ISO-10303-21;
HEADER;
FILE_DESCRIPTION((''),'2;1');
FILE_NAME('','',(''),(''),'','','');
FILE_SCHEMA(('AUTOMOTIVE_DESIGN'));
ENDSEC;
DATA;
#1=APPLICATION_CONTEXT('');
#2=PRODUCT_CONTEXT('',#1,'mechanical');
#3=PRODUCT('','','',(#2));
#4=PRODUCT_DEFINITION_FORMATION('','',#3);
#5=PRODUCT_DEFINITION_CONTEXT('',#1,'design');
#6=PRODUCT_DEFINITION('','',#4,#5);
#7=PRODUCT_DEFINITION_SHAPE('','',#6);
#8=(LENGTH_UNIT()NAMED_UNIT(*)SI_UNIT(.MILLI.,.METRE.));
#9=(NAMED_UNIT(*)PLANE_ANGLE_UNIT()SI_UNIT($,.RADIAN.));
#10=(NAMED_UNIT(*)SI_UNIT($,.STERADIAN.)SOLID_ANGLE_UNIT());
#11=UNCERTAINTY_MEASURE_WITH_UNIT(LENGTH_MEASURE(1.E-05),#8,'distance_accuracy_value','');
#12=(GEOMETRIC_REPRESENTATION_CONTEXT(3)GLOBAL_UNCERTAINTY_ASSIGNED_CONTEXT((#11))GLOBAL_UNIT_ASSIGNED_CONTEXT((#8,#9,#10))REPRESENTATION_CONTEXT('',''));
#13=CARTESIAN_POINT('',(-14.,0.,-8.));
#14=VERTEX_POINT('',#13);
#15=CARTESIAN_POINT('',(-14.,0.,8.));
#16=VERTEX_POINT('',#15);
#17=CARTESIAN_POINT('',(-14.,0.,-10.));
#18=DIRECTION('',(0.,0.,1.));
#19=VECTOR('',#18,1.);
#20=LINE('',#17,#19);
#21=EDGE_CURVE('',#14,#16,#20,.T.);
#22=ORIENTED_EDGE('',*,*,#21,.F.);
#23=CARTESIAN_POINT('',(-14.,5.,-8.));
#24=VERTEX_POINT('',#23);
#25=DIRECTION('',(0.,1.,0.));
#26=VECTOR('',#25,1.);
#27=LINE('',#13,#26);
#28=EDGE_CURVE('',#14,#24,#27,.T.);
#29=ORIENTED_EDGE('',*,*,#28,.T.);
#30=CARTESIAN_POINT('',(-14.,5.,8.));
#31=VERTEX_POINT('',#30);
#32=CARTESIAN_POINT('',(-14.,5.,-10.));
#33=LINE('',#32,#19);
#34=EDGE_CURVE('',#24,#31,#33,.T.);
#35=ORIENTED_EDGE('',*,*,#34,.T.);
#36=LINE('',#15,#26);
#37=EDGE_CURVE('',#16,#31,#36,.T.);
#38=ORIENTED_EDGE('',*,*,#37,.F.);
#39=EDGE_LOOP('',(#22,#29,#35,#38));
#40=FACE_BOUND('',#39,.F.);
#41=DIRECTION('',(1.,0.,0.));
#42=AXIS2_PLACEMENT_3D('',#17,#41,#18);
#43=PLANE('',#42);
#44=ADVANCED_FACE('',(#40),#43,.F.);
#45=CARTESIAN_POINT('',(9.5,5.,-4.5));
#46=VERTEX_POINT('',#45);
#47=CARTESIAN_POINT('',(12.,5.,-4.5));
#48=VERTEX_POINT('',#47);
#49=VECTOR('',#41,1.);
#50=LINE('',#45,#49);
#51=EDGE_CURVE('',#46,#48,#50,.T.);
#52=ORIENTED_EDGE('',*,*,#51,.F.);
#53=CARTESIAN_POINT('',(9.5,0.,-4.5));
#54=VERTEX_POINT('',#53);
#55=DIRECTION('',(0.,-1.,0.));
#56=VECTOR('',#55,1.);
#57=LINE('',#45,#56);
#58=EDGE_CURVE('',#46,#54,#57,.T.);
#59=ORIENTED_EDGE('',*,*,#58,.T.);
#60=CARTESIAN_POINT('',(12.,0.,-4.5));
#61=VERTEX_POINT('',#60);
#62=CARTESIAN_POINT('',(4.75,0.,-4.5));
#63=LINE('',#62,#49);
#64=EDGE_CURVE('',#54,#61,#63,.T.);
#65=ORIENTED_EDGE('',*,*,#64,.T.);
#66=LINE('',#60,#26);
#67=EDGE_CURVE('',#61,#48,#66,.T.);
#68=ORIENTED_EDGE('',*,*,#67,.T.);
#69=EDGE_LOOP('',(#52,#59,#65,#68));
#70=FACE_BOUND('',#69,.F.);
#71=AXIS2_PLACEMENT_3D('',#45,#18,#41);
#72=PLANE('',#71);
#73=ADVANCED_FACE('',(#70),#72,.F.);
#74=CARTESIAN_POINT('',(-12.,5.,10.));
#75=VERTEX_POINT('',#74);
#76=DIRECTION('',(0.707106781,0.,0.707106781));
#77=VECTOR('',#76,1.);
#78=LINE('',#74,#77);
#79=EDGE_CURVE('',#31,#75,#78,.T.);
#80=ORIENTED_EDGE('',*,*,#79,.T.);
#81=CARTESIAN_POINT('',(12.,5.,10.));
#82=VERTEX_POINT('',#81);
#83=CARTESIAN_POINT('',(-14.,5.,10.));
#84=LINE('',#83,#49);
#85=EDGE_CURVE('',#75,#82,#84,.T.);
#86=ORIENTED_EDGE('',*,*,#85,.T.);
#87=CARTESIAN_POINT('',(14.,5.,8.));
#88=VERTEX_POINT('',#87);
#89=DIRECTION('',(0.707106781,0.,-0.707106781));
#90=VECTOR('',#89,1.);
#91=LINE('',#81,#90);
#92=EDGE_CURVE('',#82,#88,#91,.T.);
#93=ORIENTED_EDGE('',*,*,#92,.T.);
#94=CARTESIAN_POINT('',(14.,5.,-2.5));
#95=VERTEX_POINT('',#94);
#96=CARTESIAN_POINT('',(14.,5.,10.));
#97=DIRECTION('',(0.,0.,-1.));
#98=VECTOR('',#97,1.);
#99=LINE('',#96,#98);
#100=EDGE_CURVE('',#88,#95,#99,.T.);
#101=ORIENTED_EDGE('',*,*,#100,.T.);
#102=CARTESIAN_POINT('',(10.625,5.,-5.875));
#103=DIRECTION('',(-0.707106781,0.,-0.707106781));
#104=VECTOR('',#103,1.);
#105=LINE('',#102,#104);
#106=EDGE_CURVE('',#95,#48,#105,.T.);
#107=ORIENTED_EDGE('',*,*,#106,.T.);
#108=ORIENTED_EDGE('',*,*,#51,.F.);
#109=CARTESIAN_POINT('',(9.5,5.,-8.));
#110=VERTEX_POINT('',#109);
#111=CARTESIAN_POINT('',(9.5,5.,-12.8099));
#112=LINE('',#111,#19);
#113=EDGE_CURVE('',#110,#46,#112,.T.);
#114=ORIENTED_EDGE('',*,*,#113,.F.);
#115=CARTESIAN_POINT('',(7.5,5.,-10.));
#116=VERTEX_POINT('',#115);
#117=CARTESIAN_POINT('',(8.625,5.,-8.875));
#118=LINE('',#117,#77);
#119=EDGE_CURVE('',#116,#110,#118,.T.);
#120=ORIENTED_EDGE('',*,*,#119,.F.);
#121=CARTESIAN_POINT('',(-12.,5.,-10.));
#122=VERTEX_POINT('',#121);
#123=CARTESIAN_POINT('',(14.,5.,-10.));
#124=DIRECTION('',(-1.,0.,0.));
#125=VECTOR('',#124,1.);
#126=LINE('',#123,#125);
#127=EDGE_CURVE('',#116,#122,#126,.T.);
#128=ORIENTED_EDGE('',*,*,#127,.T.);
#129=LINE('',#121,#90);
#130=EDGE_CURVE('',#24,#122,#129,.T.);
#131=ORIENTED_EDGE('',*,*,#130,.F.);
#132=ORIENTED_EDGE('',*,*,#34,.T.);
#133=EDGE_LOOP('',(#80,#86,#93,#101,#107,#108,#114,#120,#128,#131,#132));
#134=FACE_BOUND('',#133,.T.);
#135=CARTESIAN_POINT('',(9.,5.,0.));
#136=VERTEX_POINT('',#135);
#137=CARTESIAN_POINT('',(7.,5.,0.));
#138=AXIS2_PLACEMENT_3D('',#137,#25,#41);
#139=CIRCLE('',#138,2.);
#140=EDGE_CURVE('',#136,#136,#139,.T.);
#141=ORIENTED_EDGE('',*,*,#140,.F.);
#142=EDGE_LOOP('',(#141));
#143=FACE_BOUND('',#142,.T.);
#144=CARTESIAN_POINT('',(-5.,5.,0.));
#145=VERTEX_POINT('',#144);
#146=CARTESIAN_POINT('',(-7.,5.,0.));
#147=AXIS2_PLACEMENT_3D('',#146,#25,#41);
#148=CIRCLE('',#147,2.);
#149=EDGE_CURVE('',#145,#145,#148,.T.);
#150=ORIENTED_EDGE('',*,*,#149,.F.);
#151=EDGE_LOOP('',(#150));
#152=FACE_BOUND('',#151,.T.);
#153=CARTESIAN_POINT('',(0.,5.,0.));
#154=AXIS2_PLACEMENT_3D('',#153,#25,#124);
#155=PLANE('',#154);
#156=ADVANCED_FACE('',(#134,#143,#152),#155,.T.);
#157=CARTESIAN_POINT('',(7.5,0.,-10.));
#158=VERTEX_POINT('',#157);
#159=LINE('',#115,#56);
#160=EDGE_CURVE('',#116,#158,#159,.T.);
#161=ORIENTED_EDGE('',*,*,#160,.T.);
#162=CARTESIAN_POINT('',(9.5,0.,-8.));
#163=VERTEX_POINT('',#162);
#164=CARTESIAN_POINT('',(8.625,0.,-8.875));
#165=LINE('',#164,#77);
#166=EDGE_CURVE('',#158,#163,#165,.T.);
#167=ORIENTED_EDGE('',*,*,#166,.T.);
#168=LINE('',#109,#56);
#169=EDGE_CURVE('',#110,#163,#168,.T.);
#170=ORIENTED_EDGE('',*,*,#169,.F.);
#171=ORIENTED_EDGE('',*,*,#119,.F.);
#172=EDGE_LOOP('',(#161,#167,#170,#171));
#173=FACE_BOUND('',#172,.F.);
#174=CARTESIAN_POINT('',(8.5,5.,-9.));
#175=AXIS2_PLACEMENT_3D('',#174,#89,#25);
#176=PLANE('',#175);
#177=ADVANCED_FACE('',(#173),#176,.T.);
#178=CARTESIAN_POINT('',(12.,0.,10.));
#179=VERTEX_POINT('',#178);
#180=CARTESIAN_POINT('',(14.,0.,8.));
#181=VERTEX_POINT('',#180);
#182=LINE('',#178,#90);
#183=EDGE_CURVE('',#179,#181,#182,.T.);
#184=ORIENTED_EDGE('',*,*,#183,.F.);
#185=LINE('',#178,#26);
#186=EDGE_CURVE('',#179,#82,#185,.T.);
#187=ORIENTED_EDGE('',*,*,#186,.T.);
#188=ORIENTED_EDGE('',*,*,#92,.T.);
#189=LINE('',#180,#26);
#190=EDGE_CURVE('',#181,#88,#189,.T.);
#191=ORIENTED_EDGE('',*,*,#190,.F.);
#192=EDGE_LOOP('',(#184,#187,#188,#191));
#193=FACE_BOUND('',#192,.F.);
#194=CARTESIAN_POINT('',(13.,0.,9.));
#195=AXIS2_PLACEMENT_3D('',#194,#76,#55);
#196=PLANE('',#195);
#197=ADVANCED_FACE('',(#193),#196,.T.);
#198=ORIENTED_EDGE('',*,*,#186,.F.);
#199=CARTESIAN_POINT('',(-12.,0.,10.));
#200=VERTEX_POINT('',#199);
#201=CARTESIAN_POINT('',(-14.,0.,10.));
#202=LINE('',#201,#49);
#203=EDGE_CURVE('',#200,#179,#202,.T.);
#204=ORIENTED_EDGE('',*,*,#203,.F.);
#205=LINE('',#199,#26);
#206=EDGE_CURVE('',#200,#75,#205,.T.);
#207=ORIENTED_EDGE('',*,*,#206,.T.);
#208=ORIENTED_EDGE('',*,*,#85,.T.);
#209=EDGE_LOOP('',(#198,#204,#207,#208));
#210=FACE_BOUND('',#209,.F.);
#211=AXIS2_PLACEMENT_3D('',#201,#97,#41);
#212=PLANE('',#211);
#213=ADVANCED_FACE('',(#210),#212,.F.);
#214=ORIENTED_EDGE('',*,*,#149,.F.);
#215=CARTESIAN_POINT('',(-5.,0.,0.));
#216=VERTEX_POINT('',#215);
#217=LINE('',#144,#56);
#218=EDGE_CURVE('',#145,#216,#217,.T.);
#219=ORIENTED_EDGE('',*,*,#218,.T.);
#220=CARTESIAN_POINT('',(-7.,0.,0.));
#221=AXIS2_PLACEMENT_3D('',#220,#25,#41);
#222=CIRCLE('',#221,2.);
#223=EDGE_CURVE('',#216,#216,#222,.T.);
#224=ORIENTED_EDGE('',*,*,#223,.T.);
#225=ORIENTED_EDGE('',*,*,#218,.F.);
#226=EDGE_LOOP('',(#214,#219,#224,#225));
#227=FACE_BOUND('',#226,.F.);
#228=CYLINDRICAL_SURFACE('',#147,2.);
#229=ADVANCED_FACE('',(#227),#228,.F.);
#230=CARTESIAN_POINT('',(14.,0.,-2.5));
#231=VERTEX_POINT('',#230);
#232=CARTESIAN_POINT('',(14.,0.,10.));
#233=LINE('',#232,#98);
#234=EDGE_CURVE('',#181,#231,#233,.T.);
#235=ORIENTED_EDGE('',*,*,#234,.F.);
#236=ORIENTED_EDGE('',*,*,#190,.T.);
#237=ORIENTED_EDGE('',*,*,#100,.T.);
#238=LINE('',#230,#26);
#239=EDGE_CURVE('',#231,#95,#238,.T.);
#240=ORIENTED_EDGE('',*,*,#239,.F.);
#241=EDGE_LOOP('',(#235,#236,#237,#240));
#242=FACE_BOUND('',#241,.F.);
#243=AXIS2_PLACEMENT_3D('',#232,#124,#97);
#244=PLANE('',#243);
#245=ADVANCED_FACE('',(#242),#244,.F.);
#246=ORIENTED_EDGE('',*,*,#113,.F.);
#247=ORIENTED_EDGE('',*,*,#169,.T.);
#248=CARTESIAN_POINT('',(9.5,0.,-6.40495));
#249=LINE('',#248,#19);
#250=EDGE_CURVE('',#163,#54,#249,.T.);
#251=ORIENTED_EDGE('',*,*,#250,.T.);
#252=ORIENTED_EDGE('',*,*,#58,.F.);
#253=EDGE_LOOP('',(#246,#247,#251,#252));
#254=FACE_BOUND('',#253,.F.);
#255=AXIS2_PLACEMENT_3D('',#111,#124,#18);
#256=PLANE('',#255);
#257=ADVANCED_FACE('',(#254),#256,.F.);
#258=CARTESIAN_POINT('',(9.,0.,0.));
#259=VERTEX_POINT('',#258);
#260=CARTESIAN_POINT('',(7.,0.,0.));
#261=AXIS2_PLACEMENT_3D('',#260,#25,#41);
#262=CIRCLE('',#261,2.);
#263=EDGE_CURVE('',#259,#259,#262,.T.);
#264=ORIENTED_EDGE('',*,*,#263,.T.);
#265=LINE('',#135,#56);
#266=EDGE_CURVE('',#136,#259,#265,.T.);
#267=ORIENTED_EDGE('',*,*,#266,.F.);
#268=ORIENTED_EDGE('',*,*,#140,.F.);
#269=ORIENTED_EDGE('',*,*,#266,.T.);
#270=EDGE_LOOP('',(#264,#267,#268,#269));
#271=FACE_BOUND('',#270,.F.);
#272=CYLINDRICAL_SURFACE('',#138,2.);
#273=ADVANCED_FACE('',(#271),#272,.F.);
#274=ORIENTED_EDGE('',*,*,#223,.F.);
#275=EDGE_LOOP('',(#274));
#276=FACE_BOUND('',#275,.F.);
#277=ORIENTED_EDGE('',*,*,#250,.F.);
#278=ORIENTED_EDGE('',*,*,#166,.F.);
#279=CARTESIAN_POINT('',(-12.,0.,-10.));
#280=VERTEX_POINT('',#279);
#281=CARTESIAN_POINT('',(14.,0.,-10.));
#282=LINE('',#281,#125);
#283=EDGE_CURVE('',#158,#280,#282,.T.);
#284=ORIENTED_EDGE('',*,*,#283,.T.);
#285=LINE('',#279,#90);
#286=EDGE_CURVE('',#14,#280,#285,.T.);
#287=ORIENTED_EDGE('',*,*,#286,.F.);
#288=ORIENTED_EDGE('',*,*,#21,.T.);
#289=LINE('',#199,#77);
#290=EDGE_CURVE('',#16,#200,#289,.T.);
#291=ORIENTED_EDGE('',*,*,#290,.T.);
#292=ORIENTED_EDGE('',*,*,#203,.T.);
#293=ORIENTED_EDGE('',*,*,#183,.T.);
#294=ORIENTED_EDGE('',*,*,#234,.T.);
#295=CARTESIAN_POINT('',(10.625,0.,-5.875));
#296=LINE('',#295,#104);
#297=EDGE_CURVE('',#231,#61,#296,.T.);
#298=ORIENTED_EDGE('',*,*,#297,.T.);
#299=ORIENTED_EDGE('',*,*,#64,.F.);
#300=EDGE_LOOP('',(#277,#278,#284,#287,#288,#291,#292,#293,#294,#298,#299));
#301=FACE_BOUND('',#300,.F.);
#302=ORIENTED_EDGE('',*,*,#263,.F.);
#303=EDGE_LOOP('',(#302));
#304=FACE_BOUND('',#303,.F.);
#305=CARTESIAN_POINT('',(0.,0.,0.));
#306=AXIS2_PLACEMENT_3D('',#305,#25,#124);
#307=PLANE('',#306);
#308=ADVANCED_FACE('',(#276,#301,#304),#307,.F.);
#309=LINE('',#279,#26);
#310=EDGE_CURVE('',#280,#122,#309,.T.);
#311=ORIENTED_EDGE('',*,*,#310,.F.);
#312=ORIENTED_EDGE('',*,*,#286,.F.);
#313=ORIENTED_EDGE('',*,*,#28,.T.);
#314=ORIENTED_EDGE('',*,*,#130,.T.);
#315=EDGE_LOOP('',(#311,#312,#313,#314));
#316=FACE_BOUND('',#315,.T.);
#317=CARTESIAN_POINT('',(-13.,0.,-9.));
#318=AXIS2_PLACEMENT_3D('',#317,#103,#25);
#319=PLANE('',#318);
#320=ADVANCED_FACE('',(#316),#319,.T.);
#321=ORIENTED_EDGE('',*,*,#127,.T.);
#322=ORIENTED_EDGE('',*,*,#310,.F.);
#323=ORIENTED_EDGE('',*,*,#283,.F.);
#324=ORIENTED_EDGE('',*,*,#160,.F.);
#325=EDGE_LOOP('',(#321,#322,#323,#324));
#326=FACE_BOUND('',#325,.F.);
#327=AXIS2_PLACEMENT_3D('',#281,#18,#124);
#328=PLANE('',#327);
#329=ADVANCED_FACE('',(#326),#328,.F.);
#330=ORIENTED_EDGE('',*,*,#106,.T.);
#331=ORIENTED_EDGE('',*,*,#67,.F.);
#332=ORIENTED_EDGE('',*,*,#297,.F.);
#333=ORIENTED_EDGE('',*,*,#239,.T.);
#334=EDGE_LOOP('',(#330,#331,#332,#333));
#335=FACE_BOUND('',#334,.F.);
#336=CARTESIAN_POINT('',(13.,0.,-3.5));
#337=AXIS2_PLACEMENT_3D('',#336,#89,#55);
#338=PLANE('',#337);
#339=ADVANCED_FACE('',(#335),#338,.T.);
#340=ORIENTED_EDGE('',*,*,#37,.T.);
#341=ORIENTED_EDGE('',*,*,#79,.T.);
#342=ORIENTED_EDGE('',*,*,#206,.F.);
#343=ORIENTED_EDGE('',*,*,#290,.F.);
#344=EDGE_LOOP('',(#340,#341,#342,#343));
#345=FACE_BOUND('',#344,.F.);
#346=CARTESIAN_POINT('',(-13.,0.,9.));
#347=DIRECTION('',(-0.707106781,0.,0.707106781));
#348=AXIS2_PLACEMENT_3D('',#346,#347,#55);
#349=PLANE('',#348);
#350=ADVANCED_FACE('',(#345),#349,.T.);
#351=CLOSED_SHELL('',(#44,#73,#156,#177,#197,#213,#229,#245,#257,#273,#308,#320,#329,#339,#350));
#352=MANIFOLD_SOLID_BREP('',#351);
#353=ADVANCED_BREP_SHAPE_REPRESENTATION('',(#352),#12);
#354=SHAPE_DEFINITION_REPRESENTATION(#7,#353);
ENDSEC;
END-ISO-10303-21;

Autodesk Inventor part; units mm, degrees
ref_plane "YZ Plane" through (0, 0, 0) normal (1, 0, 0) x (0, 1, 0)
ref_plane "XZ Plane" through (0, 0, 0) normal (0, 1, 0) x (-1, 0, 0)
ref_plane "XY Plane" through (0, 0, 0) normal (0, 0, 1) x (1, 0, 0)
sketch "Sketch1" plane through (0, 0, 0) normal (0, 1, 0) x (-1, 0, 0)
  point P0 (0, 0)
sketch "Sketch2" plane through (0, 0, 0) normal (0, 1, 0) x (-1, 0, 0)
  line L0 (14, 10) -> (-14, 10)
  line L1 (-14, 10) -> (-14, -10)
  line L2 (-14, -10) -> (14, -10)
  line L3 (14, -10) -> (14, 10)
  point P0 (0, 0)
  dimension "d0" = 28
  dimension "d1" = 20
extrude "Extrusion1" add sketch "Sketch2" along normal blind 5
sketch "Sketch3" plane through (0, 5, 0) normal (0, 1, 0) x (1, 0, 0)
  circle A0 centre (7, 0) radius 2
  circle A1 centre (-7, 0) radius 2
  point P0 (0, 0)
  dimension "d4" = 4
  dimension "d5" = 4
extrude "Extrusion2" cut sketch "Sketch3" against normal blind 6
sketch "Sketch4" plane through (0, 5, 0) normal (0, 1, 0) x (1, 0, 0)
  line L0 (9.5, 4.5) -> (16.3647, 4.5)
  line L1 (16.3647, 4.5) -> (16.3647, 12.8099)
  line L2 (16.3647, 12.8099) -> (9.5, 12.8099)
  line L3 (9.5, 12.8099) -> (9.5, 4.5)
  point P0 (0, 0)
extrude "Extrusion3" cut sketch "Sketch4" against normal blind 6
chamfer "Chamfer1" distance 2 angle 45 5 edges at (-14, 2.5, -10) (9.5, 2.5, -10) (14, 2.5, -4.5) (14, 2.5, 10) (-14, 2.5, 10)
properties part number "gantryBeltCnctr"
